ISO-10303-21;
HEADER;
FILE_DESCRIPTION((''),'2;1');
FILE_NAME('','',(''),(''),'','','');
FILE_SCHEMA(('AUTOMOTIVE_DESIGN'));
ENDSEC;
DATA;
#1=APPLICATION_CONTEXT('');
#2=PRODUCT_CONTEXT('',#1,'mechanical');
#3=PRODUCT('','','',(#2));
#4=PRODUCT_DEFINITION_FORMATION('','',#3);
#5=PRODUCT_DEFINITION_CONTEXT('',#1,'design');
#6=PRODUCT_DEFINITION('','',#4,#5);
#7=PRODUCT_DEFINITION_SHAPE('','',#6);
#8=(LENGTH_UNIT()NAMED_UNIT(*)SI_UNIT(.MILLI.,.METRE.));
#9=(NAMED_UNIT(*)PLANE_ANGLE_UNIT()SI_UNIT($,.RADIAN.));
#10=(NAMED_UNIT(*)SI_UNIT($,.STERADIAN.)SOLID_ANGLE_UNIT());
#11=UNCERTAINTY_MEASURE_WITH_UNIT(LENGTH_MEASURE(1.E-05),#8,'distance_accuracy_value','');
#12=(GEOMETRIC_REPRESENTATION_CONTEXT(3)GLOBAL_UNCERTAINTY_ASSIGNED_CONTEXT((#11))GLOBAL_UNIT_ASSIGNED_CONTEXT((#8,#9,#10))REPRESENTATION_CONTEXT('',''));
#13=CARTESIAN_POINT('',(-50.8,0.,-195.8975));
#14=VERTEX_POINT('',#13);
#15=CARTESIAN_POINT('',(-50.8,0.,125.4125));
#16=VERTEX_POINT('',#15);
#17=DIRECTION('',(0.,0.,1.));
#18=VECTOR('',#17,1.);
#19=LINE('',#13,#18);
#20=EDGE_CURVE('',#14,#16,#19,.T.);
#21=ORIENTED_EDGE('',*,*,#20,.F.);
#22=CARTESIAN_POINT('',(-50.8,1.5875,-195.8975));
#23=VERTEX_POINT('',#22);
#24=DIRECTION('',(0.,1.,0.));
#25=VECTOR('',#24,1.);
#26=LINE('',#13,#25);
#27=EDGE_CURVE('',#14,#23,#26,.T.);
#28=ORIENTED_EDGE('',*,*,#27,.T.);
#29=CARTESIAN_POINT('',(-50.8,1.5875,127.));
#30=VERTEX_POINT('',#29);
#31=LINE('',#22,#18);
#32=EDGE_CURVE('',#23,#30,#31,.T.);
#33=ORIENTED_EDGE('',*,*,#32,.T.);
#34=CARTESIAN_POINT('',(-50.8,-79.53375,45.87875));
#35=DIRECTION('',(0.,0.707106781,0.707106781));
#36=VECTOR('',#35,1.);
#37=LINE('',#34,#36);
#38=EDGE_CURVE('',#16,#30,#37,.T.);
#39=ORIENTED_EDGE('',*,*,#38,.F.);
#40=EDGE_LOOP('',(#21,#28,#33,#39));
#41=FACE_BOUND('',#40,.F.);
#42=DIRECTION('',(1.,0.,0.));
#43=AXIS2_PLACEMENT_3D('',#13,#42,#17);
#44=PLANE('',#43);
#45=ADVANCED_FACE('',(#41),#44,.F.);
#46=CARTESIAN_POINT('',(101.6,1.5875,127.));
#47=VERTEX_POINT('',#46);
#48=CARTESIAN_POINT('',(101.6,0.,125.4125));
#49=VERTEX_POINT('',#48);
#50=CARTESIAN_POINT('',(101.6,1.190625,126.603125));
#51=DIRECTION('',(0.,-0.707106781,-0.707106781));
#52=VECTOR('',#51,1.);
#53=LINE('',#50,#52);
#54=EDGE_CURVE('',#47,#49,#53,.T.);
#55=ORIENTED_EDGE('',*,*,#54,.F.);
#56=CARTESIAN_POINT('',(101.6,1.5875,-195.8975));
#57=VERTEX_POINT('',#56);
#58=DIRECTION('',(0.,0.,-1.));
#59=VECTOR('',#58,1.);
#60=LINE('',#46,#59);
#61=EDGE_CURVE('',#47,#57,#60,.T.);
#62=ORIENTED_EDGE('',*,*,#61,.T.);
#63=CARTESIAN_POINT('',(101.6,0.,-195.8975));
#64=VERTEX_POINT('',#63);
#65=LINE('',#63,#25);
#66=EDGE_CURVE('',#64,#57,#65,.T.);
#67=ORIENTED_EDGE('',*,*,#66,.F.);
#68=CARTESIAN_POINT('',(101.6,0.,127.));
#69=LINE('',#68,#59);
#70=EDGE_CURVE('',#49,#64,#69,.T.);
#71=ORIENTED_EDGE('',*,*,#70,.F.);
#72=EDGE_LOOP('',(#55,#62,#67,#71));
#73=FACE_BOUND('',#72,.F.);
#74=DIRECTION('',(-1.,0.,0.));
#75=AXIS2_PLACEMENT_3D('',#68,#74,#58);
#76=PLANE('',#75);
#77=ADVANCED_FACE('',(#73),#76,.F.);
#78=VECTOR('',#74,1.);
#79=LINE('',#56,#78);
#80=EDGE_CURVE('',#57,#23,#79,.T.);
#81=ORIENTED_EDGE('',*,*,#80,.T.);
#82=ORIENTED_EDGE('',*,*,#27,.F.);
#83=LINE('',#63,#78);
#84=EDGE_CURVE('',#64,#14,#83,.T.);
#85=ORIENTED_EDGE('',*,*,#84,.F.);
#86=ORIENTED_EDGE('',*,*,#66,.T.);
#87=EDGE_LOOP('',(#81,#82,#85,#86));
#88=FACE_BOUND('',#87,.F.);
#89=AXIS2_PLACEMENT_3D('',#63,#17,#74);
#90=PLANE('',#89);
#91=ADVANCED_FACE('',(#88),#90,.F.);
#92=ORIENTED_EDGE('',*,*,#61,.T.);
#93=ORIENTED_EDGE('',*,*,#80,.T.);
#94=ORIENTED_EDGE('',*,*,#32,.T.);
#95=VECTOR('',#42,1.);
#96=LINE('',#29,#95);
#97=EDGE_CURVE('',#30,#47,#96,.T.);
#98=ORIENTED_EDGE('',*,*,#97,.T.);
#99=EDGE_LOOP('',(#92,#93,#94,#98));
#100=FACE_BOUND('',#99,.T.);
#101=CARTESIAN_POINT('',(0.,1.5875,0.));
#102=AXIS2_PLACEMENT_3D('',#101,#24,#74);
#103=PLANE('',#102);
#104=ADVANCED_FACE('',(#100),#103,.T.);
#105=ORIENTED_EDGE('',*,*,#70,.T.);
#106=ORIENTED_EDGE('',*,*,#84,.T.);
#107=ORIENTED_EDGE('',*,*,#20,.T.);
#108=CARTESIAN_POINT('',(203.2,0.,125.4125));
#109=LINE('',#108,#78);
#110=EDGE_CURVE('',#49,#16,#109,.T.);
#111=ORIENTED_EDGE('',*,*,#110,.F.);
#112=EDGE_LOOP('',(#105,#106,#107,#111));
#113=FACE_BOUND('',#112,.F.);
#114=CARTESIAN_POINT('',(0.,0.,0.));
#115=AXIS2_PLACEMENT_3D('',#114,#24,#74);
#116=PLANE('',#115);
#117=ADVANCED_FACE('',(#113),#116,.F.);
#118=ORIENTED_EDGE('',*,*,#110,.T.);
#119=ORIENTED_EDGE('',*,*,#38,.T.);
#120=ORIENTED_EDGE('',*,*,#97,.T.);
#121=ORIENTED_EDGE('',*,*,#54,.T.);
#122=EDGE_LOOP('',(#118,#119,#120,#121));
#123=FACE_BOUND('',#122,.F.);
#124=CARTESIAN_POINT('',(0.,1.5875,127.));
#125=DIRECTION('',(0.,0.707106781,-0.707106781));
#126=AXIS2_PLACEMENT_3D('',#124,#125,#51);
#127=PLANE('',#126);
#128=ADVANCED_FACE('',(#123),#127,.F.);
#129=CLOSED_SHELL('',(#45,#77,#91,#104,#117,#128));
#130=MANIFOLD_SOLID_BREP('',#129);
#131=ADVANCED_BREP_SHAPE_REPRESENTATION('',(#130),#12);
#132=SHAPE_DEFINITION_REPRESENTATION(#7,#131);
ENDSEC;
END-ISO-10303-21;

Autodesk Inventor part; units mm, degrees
ref_plane "YZ Plane" through (0, 0, 0) normal (1, 0, 0) x (0, 1, 0)
ref_plane "XZ Plane" through (0, 0, 0) normal (0, 1, 0) x (-1, 0, 0)
ref_plane "XY Plane" through (0, 0, 0) normal (0, 0, 1) x (1, 0, 0)
sketch "Sketch1" plane through (0, 0, 0) normal (0, 1, 0) x (-1, 0, 0)
  line L0 (-101.6, -195.8975) -> (50.8, -195.8975)
  line L1 (50.8, -195.8975) -> (50.8, 127)
  line L2 (50.8, 127) -> (-101.6, 127)
  line L3 (-101.6, 127) -> (-101.6, -195.8975)
  point P0 (0, 0)
  dimension "d0" = 152.4
  dimension "d1" = 322.8975
extrude "Extrusion2" add sketch "Sketch1" along normal blind 1.5875
sketch "Sketch2" plane through (0, 0, 0) normal (1, 0, 0) x (0, 1, 0)
  line L0 (1.5875, -195.8975) -> (1.5875, 127) projected
  line L1 (1.5875, 127) -> (0, 125.4125)
  line L2 (0, -195.8975) -> (0, 127) projected
  line L3 (1.5875, 127) -> (3.8326, 127) construction
  line L4 (1.5875, 127) -> (0, 127)
  line L5 (0, 127) -> (0, 125.4125)
  point P0 (0, 0)
  dimension "d8" = 135
extrude "Extrusion3" cut sketch "Sketch2" along normal blind 203.2 and the other way blind 152.4
properties part number "polycarb10x6" material "Polycarbonate, Clear"
